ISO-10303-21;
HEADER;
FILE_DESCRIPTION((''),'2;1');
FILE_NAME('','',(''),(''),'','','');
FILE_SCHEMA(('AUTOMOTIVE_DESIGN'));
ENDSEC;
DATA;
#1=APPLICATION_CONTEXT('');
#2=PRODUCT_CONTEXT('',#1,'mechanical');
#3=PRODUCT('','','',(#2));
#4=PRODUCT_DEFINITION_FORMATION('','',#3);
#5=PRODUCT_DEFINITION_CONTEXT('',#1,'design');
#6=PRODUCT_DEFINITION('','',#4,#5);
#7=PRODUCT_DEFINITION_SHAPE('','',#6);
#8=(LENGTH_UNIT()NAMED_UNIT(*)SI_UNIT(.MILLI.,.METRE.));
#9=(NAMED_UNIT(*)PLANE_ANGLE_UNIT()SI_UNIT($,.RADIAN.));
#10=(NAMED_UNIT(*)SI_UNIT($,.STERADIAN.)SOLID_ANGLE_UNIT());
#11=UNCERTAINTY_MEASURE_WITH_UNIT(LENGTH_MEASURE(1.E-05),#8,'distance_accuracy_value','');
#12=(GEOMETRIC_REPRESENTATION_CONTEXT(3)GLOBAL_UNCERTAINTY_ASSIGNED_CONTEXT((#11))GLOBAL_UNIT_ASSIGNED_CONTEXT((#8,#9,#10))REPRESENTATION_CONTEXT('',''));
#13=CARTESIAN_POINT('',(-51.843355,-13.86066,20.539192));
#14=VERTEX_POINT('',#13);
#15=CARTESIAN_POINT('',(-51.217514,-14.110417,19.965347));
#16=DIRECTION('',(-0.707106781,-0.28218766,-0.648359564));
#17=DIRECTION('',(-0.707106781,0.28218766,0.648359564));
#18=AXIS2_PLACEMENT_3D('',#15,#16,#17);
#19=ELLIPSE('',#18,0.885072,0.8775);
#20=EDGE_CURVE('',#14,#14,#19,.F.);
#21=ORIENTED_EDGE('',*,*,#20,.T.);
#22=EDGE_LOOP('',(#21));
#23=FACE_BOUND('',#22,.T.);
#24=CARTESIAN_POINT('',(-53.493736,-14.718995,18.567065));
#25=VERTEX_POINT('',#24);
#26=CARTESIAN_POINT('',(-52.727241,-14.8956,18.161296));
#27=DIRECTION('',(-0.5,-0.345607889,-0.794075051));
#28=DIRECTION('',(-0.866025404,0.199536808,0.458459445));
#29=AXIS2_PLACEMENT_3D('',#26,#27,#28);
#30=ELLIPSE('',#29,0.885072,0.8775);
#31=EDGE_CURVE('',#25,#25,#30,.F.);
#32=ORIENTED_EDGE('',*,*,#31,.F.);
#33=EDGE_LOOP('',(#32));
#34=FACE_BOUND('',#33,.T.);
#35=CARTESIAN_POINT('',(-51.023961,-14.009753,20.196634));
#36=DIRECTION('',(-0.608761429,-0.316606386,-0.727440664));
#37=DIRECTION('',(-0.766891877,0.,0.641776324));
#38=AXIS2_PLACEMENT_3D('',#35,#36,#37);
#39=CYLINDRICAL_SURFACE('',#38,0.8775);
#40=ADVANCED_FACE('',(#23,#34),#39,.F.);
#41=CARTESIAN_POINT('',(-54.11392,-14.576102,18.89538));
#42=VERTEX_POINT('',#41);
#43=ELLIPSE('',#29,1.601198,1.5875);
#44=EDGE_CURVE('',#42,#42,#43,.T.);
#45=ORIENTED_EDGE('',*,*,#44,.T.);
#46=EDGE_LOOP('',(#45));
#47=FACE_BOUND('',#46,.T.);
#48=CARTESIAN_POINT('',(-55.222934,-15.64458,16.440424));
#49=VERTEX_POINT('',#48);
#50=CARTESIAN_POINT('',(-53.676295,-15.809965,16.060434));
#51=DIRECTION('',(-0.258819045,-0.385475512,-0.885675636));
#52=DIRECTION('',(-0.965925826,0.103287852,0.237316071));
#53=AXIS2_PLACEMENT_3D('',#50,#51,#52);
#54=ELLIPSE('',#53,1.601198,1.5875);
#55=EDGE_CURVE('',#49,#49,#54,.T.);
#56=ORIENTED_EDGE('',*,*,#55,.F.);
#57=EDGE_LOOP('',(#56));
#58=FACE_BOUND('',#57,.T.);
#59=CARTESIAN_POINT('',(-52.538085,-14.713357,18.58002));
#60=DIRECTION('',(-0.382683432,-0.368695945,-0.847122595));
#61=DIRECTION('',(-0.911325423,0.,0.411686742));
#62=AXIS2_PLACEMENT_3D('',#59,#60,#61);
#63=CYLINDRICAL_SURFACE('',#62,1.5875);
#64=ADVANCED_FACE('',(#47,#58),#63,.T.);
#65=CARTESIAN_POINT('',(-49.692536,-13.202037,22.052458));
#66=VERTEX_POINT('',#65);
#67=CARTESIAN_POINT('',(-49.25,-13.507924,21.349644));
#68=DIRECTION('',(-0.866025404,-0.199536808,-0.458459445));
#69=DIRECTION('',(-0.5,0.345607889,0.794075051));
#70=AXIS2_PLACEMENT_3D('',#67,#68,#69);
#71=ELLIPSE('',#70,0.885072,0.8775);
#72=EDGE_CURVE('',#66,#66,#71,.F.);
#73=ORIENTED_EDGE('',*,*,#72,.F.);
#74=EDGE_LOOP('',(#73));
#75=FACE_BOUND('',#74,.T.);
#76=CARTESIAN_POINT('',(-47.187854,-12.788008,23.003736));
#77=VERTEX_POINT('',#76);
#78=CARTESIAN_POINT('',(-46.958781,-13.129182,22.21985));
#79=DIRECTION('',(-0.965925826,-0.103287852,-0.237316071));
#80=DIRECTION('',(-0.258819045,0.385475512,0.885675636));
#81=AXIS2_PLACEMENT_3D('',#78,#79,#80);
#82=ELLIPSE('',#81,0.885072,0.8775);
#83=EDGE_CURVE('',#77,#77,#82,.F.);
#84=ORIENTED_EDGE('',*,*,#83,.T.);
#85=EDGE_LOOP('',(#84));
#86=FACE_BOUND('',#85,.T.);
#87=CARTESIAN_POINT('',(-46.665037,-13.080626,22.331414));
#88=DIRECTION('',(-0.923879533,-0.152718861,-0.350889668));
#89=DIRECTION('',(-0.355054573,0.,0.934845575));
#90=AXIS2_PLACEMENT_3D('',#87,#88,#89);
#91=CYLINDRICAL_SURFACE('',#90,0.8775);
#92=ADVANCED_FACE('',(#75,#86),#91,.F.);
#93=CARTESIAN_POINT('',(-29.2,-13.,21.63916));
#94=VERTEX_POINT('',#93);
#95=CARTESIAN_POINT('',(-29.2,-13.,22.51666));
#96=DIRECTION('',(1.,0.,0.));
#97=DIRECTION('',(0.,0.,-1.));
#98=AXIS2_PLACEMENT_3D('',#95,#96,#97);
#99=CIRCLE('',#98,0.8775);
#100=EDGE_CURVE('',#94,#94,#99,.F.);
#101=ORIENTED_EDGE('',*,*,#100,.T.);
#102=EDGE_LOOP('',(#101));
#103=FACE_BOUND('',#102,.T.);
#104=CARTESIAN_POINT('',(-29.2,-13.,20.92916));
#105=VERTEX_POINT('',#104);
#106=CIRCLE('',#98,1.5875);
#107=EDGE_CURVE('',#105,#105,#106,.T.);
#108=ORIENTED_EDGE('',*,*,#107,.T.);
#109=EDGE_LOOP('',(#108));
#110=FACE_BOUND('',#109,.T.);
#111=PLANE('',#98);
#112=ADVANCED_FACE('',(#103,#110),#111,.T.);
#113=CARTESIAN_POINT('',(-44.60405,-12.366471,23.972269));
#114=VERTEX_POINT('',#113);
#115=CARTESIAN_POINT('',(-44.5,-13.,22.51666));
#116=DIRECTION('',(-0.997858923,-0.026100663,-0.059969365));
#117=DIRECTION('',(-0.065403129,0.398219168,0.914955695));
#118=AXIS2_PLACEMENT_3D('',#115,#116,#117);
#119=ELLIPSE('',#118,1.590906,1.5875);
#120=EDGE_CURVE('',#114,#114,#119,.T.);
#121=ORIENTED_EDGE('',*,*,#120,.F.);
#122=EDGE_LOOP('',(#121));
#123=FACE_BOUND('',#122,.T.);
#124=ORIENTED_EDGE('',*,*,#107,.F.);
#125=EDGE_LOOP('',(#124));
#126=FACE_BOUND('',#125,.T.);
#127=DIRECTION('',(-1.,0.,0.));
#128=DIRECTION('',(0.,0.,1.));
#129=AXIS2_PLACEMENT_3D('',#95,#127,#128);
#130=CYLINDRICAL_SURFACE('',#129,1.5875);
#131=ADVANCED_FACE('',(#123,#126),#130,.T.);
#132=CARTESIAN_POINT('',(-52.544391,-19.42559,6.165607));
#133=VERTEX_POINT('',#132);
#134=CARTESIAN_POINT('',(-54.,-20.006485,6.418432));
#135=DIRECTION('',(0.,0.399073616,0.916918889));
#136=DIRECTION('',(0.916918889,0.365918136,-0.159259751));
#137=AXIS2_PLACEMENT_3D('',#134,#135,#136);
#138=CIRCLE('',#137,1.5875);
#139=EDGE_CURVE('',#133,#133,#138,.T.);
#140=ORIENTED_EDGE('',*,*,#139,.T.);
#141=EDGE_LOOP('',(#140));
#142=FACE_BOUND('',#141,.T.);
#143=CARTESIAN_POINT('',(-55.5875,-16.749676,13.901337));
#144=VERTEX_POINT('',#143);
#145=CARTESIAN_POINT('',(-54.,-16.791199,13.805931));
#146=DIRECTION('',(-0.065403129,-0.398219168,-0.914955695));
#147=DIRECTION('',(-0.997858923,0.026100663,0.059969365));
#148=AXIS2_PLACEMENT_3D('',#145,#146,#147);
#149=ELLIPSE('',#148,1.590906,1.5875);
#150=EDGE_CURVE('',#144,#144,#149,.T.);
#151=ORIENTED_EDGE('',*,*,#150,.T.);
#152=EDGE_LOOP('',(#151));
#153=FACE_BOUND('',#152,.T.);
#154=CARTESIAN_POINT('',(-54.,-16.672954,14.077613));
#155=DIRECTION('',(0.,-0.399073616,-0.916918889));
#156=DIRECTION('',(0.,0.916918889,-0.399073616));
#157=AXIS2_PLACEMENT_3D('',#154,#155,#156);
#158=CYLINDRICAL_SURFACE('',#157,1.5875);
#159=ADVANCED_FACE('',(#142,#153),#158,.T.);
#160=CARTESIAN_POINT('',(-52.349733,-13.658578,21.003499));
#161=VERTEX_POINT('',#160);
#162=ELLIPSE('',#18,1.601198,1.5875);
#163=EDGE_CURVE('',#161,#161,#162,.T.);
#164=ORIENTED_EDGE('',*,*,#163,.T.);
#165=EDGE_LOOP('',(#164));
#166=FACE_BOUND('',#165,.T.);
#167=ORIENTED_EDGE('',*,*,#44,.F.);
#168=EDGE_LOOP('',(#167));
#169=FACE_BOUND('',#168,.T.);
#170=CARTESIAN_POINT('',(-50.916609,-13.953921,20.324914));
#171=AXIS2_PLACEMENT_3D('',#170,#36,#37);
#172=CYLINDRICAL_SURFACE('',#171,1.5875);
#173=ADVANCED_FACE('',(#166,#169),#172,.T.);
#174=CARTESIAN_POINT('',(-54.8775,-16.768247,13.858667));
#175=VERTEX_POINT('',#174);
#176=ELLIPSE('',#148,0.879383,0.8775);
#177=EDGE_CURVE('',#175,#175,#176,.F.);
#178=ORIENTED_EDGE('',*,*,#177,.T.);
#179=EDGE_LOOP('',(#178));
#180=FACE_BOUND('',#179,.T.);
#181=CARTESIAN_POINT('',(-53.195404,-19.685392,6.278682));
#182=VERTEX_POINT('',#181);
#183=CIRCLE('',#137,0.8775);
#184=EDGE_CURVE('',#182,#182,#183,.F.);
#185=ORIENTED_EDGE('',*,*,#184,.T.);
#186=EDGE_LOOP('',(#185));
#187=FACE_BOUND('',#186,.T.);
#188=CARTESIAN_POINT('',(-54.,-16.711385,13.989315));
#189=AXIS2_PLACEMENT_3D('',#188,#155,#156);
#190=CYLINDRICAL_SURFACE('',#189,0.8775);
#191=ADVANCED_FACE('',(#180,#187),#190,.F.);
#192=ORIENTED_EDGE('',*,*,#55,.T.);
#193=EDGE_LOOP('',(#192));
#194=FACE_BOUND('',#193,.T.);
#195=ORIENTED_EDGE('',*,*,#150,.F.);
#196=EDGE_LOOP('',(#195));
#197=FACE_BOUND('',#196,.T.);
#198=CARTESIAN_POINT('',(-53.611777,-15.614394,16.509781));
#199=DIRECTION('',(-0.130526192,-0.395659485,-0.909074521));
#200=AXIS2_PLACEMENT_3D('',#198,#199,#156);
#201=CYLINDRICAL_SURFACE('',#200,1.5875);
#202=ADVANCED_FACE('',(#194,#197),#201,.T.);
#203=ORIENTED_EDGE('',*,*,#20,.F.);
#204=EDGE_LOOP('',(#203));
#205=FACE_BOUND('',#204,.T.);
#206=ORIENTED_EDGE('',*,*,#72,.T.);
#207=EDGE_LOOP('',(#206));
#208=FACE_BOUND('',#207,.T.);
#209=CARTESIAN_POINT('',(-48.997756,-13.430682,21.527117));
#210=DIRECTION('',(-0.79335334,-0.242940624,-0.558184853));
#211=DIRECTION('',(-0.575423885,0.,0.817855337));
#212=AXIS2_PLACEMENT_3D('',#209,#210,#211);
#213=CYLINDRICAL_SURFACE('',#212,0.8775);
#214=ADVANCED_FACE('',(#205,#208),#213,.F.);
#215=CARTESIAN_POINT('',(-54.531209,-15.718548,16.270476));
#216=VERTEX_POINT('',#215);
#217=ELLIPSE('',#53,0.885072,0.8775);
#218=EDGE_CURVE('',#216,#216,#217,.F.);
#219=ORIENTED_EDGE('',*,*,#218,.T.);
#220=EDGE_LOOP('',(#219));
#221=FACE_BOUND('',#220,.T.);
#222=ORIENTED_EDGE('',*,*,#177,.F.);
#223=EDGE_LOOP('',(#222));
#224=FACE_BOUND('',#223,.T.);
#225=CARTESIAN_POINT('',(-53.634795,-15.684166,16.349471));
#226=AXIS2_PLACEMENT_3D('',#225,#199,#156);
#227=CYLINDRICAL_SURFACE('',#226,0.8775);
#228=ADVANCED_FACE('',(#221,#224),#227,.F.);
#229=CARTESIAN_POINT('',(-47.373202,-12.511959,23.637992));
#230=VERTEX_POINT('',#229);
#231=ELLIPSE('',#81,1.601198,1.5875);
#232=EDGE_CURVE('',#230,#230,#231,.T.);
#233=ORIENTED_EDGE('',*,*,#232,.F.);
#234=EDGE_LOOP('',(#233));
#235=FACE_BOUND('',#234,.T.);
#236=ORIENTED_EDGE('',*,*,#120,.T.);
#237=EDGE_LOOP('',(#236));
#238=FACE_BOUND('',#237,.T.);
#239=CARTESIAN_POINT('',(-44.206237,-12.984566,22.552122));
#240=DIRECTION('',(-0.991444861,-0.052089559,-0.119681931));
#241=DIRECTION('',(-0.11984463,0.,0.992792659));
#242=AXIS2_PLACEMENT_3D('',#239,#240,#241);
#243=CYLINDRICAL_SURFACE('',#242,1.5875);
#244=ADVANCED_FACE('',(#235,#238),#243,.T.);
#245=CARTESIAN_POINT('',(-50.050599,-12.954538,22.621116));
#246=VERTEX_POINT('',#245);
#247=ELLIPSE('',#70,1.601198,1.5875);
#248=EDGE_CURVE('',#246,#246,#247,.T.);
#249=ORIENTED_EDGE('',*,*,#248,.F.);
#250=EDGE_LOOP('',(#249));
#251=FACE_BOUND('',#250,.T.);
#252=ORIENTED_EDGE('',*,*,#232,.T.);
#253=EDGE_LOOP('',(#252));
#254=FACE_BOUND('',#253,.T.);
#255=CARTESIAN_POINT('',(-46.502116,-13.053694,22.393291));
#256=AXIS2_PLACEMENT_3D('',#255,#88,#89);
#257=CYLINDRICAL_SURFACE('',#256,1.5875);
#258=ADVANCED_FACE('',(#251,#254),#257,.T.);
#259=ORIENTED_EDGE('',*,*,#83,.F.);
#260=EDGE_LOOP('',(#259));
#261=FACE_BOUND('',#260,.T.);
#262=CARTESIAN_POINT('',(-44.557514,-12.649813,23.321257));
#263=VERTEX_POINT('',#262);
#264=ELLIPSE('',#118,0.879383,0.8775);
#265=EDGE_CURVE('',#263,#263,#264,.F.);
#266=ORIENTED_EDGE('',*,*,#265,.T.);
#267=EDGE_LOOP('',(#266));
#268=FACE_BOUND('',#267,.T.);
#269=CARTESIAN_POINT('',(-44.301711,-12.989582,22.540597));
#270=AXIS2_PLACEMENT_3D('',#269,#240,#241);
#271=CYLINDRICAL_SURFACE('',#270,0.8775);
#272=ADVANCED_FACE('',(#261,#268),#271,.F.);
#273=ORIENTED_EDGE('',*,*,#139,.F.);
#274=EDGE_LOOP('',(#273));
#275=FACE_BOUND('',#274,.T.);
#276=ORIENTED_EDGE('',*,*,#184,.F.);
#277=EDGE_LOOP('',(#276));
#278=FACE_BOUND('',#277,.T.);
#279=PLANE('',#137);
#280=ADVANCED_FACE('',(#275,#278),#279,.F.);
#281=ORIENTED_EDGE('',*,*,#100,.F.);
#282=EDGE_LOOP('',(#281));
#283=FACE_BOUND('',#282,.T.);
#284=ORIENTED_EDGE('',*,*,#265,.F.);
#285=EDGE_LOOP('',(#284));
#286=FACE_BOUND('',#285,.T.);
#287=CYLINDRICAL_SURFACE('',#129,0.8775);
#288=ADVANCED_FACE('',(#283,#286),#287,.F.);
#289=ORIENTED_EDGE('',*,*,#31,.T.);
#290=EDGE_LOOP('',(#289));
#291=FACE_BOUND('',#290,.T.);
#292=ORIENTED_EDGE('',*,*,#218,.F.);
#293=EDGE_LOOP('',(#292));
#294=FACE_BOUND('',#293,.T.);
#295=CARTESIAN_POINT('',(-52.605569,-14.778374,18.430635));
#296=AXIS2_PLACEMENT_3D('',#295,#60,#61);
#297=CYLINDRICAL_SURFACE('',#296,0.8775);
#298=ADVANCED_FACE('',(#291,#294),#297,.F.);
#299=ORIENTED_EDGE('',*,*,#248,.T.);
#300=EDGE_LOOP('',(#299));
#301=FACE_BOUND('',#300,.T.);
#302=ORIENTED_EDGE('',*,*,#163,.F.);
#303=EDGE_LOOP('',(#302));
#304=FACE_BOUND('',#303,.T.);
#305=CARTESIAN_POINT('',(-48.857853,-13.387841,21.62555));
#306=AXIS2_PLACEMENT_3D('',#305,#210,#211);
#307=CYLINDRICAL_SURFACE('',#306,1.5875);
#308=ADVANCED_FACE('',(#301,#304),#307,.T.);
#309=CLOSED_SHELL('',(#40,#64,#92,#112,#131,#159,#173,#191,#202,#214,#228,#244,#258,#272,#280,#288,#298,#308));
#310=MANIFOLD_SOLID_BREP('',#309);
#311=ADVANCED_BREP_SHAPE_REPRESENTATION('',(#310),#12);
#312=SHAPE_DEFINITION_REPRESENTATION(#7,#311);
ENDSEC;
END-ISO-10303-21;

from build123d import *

# Parameters (mm, degrees)
PROFILE_R   = 1.5875
PROFILE_R_2 = 0.8775


with BuildPart() as part:
    # Tube: sweep along a curve in space
    with BuildLine() as tube_path:
        Line((-29.2, -13, 22.516660498), (-44.5, -13, 22.516660498))
        Line((-44.5, -13, 22.516660498), (-46.958780928, -13.129181985, 22.21984959))
        Line((-46.958780928, -13.129181985, 22.21984959), (-49.25, -13.507924402, 21.349644038))
        Line((-49.25, -13.507924402, 21.349644038), (-51.217514421, -14.11041658, 19.965346912))
        Line((-51.217514421, -14.11041658, 19.965346912), (-52.727241336, -14.895599674, 18.161295775))
        Line((-52.727241336, -14.895599674, 18.161295775), (-53.67629535, -15.809964752, 16.060433729))
        Line((-53.67629535, -15.809964752, 16.060433729), (-54, -16.791199347, 13.805931051))
        Line((-54, -16.791199347, 13.805931051), (-54, -20.006484691, 6.418432225))
    # Profile → Tube (sweep)
    with BuildSketch(Plane(origin=(-29.2, 0, 0), x_dir=(0, 0, -1), z_dir=(1, 0, 0))):
        with Locations((-22.516660498, -13)):
            Circle(PROFILE_R)
        with Locations((-22.516660498, -13)):
            Circle(PROFILE_R_2, mode=Mode.SUBTRACT)
    sweep(path=tube_path.line, transition=Transition.RIGHT)


solid = part.part
